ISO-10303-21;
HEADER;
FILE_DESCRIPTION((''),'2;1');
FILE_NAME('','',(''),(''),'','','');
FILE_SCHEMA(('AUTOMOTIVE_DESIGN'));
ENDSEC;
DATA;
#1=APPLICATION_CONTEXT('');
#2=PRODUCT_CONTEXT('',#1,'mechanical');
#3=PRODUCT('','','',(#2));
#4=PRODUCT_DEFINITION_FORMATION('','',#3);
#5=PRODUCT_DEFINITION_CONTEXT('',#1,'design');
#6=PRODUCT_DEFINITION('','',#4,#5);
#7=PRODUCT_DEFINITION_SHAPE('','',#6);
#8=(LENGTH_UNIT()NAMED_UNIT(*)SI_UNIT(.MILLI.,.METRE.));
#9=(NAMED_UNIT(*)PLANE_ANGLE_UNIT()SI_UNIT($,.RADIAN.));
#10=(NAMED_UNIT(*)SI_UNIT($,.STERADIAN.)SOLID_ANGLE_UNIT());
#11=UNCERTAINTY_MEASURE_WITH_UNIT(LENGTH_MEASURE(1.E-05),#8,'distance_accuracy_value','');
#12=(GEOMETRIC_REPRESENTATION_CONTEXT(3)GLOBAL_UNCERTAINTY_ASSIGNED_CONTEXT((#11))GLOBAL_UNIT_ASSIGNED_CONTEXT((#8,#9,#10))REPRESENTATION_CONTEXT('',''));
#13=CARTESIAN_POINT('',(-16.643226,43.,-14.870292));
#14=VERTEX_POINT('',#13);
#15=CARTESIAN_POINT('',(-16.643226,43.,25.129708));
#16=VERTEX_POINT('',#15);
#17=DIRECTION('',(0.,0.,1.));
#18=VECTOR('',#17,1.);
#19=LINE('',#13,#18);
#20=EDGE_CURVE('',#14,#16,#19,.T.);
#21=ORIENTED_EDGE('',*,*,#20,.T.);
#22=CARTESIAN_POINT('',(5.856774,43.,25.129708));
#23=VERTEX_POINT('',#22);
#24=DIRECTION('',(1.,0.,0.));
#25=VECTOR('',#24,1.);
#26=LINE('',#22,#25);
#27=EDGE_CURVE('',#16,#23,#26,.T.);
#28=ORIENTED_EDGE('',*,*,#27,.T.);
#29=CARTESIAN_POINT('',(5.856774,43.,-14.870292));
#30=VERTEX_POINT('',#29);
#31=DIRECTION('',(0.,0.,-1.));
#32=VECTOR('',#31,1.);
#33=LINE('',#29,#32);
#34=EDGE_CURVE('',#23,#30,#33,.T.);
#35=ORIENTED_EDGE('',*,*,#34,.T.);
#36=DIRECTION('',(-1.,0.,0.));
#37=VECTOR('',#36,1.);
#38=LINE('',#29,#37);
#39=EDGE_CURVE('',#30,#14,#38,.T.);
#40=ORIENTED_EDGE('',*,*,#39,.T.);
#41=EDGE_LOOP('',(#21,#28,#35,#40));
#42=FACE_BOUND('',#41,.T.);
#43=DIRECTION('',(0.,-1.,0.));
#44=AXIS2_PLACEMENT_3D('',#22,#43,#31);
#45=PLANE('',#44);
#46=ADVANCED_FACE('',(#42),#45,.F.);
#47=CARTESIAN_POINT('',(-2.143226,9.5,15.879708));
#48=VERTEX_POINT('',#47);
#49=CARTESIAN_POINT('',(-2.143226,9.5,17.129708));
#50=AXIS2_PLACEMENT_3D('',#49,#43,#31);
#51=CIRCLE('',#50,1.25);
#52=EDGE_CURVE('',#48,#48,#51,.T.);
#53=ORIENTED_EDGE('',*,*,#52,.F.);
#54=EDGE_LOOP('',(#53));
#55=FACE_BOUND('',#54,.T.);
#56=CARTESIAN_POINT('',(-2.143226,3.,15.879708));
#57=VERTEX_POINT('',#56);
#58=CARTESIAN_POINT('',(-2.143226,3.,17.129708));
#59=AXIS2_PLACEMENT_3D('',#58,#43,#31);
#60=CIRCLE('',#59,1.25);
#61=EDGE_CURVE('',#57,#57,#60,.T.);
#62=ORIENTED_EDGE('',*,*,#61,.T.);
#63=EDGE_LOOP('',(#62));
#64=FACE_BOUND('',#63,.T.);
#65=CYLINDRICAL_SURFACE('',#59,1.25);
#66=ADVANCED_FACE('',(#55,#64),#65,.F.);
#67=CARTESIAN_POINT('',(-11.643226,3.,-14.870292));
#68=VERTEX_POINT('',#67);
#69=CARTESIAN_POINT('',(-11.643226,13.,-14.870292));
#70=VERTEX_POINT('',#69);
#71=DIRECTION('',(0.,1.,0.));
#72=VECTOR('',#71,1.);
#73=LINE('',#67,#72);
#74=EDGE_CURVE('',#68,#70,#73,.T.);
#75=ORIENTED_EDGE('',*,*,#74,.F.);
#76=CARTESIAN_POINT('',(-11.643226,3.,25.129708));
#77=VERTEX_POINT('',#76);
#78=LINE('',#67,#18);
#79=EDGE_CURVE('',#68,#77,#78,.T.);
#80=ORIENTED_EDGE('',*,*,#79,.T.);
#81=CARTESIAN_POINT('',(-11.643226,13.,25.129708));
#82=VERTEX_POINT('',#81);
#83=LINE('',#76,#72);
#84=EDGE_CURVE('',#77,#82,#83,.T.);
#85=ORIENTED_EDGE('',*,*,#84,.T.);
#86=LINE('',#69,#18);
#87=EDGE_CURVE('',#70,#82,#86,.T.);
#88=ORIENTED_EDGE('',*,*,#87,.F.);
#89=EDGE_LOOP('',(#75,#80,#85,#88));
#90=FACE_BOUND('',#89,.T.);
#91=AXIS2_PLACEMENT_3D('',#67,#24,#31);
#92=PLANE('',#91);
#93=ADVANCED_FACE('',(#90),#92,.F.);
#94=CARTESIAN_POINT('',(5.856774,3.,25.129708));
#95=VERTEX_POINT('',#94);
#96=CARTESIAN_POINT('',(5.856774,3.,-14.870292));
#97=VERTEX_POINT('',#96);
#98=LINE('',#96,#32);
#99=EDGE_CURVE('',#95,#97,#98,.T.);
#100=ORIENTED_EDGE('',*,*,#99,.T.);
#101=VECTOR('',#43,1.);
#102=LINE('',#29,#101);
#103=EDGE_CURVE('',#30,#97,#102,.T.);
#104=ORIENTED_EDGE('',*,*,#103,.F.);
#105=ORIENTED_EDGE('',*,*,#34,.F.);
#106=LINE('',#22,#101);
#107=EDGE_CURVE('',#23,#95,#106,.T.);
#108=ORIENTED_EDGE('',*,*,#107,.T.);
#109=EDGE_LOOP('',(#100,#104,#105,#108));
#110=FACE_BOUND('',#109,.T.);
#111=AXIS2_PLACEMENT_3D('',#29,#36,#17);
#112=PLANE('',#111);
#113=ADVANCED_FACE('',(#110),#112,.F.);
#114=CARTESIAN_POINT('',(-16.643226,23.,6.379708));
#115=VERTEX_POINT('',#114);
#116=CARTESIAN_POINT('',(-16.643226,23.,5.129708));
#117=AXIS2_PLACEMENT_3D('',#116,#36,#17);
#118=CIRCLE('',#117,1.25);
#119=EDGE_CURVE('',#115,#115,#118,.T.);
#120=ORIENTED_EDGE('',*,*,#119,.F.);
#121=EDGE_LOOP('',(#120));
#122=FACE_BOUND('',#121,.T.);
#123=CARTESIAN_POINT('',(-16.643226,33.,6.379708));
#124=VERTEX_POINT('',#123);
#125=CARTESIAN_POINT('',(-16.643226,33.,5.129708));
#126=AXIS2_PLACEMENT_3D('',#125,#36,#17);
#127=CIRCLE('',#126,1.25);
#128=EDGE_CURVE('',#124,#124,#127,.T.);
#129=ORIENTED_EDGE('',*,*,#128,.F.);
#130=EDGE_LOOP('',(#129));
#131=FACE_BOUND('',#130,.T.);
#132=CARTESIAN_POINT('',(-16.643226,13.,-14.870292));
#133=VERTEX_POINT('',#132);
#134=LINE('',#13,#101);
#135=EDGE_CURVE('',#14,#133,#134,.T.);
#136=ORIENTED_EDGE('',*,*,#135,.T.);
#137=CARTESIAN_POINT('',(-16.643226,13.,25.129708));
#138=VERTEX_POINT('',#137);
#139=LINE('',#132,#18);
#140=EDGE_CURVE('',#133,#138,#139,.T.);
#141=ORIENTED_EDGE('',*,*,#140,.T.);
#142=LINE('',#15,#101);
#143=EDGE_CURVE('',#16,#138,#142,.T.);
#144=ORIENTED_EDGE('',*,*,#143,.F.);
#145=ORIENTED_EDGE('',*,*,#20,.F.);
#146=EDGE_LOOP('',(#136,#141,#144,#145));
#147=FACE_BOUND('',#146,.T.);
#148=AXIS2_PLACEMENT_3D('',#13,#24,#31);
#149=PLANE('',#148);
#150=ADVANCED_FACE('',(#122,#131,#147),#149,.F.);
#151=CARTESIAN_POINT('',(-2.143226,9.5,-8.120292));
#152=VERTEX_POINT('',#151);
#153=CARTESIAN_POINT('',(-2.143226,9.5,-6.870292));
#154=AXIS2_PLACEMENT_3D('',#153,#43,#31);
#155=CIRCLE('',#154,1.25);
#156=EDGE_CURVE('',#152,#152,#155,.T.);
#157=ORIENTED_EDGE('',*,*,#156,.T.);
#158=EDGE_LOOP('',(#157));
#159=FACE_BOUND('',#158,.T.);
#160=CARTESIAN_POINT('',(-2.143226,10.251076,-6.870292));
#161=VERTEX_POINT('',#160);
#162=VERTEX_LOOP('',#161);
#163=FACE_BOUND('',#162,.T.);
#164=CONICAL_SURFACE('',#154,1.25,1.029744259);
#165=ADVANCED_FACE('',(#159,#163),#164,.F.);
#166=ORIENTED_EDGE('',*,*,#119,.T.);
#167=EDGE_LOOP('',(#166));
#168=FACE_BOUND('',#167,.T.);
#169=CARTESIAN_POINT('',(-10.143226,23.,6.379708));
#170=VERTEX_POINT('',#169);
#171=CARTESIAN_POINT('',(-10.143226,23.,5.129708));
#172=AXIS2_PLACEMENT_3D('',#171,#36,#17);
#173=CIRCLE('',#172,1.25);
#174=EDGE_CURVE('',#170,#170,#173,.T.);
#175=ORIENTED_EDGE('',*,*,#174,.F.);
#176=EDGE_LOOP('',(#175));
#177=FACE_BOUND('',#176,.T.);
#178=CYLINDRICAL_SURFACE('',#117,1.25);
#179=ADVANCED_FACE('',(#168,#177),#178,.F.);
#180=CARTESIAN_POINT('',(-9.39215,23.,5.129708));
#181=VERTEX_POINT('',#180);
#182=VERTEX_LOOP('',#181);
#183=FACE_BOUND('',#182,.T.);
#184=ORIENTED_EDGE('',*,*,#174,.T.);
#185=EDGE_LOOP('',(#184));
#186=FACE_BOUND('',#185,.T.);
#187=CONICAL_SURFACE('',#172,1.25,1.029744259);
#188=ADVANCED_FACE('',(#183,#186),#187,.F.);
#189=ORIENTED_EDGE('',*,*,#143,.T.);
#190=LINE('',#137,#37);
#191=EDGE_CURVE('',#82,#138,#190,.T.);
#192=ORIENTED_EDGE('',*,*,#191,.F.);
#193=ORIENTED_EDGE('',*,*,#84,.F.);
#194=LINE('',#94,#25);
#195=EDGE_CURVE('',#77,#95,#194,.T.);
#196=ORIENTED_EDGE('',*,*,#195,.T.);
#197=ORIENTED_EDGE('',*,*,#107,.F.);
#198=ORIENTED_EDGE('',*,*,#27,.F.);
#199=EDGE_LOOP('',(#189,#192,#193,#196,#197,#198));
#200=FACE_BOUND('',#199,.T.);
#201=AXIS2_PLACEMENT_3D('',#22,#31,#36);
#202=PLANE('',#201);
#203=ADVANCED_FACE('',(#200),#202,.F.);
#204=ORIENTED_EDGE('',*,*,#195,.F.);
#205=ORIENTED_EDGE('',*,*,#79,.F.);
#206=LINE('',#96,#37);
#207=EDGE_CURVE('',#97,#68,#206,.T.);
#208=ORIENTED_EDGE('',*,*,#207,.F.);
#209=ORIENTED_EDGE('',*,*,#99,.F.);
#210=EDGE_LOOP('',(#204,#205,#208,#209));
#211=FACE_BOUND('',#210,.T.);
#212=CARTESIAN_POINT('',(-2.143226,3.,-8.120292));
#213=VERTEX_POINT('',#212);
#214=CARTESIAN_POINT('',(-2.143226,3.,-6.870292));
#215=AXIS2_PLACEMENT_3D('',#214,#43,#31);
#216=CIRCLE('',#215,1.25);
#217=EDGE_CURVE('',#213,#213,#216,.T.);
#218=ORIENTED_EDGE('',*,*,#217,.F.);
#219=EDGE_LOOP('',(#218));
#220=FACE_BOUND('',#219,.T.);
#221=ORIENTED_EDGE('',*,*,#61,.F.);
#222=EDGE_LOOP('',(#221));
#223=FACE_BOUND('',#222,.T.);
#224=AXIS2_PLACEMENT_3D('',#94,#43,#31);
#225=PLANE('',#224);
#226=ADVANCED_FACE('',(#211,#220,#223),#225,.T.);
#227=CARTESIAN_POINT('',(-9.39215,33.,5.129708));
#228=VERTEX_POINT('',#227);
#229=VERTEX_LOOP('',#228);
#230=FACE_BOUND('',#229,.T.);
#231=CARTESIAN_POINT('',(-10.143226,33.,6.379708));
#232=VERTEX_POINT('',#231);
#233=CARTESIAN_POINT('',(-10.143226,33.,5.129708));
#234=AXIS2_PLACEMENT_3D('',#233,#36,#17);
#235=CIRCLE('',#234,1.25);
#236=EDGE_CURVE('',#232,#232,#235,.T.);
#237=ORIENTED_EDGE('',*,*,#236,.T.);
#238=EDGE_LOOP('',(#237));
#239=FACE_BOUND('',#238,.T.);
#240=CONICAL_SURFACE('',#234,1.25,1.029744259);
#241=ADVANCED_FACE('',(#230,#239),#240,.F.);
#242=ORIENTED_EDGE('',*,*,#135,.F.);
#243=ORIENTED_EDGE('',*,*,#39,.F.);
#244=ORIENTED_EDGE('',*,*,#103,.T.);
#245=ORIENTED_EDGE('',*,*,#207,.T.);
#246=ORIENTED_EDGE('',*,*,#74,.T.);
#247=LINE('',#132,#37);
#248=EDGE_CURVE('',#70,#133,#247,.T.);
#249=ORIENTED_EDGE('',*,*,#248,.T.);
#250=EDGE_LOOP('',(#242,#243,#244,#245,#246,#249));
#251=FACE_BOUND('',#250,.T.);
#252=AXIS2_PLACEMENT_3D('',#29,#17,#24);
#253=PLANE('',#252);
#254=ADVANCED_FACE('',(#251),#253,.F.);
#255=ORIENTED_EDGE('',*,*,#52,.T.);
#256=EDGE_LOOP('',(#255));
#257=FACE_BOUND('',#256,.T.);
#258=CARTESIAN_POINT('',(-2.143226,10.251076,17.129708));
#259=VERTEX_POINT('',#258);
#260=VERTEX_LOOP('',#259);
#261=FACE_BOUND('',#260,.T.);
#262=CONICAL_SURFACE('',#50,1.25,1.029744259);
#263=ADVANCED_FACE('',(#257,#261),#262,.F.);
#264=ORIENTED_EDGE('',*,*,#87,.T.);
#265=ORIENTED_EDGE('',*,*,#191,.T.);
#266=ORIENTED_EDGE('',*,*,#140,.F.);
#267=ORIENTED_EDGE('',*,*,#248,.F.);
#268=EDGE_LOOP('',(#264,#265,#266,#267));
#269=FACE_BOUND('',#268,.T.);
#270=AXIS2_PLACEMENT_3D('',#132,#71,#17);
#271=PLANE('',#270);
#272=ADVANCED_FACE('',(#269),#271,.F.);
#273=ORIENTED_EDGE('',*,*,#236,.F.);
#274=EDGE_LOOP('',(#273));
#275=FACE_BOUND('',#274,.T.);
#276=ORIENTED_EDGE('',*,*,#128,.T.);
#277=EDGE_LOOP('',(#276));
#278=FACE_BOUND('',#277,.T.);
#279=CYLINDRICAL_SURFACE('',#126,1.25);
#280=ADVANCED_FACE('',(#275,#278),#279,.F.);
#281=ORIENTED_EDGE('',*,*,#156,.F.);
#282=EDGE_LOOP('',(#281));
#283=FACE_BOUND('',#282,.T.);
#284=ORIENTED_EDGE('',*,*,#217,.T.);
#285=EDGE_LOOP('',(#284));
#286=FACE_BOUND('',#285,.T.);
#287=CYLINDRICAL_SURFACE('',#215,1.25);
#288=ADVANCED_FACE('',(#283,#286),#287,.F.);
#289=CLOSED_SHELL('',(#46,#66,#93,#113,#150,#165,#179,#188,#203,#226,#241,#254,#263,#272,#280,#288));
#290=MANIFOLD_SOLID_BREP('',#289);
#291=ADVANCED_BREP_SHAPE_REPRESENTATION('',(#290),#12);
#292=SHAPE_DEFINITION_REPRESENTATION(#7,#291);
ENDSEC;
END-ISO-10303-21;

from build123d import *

# Parameters (mm, degrees)
SKETCH1_W                 = 22.5
SKETCH1_H                 = 40
BOSS_EXTRUDE1_DEPTH       = 40
SKETCH2_W                 = 5
SKETCH2_H                 = 10
CUT_EXTRUDE1_DEPTH        = 40
M3X0_5_TAPPED_HOLE2_D     = 2.5
M3X0_5_TAPPED_HOLE2_DEPTH = 6.5
M3X0_5_TAPPED_HOLE2_TIP   = 0.751075774
M3X0_5_TAPPED_HOLE3_D     = 2.5
M3X0_5_TAPPED_HOLE3_DEPTH = 6.5
M3X0_5_TAPPED_HOLE3_TIP   = 0.751075774


with BuildPart() as part:
    # Sketch1 → Boss-Extrude1 (new body)
    with BuildSketch(Plane(origin=(0, 3, 0), x_dir=(-1, 0, 0), z_dir=(0, 1, 0))):
        with Locations((5.393225555, 5.12970783)):
            Rectangle(SKETCH1_W, SKETCH1_H)
    extrude(amount=BOSS_EXTRUDE1_DEPTH)

    # Sketch2 → Cut-Extrude1 (cut)
    with BuildSketch(Plane.XY.offset(25.12970783)):
        with Locations((-14.143225555, 8)):
            Rectangle(SKETCH2_W, SKETCH2_H)
    extrude(amount=-CUT_EXTRUDE1_DEPTH, mode=Mode.SUBTRACT)

    # M3x0.5 Tapped Hole2
    with Locations(Plane.ZY.offset(16.643225555)):
        with Locations((5.12970783, 23), (5.12970783, 33)):
            Hole(M3X0_5_TAPPED_HOLE2_D / 2, depth=M3X0_5_TAPPED_HOLE2_DEPTH)
            with Locations((0, 0, -(M3X0_5_TAPPED_HOLE2_DEPTH + M3X0_5_TAPPED_HOLE2_TIP / 2))):  # 118° drill point
                Cone(0, M3X0_5_TAPPED_HOLE2_D / 2, M3X0_5_TAPPED_HOLE2_TIP, mode=Mode.SUBTRACT)

    # M3x0.5 Tapped Hole3
    with Locations(Plane.XZ.offset(-3)):
        with Locations((-2.143225555, 17.12970783), (-2.143225555, -6.87029217)):
            Hole(M3X0_5_TAPPED_HOLE3_D / 2, depth=M3X0_5_TAPPED_HOLE3_DEPTH)
            with Locations((0, 0, -(M3X0_5_TAPPED_HOLE3_DEPTH + M3X0_5_TAPPED_HOLE3_TIP / 2))):  # 118° drill point
                Cone(0, M3X0_5_TAPPED_HOLE3_D / 2, M3X0_5_TAPPED_HOLE3_TIP, mode=Mode.SUBTRACT)


solid = part.part
